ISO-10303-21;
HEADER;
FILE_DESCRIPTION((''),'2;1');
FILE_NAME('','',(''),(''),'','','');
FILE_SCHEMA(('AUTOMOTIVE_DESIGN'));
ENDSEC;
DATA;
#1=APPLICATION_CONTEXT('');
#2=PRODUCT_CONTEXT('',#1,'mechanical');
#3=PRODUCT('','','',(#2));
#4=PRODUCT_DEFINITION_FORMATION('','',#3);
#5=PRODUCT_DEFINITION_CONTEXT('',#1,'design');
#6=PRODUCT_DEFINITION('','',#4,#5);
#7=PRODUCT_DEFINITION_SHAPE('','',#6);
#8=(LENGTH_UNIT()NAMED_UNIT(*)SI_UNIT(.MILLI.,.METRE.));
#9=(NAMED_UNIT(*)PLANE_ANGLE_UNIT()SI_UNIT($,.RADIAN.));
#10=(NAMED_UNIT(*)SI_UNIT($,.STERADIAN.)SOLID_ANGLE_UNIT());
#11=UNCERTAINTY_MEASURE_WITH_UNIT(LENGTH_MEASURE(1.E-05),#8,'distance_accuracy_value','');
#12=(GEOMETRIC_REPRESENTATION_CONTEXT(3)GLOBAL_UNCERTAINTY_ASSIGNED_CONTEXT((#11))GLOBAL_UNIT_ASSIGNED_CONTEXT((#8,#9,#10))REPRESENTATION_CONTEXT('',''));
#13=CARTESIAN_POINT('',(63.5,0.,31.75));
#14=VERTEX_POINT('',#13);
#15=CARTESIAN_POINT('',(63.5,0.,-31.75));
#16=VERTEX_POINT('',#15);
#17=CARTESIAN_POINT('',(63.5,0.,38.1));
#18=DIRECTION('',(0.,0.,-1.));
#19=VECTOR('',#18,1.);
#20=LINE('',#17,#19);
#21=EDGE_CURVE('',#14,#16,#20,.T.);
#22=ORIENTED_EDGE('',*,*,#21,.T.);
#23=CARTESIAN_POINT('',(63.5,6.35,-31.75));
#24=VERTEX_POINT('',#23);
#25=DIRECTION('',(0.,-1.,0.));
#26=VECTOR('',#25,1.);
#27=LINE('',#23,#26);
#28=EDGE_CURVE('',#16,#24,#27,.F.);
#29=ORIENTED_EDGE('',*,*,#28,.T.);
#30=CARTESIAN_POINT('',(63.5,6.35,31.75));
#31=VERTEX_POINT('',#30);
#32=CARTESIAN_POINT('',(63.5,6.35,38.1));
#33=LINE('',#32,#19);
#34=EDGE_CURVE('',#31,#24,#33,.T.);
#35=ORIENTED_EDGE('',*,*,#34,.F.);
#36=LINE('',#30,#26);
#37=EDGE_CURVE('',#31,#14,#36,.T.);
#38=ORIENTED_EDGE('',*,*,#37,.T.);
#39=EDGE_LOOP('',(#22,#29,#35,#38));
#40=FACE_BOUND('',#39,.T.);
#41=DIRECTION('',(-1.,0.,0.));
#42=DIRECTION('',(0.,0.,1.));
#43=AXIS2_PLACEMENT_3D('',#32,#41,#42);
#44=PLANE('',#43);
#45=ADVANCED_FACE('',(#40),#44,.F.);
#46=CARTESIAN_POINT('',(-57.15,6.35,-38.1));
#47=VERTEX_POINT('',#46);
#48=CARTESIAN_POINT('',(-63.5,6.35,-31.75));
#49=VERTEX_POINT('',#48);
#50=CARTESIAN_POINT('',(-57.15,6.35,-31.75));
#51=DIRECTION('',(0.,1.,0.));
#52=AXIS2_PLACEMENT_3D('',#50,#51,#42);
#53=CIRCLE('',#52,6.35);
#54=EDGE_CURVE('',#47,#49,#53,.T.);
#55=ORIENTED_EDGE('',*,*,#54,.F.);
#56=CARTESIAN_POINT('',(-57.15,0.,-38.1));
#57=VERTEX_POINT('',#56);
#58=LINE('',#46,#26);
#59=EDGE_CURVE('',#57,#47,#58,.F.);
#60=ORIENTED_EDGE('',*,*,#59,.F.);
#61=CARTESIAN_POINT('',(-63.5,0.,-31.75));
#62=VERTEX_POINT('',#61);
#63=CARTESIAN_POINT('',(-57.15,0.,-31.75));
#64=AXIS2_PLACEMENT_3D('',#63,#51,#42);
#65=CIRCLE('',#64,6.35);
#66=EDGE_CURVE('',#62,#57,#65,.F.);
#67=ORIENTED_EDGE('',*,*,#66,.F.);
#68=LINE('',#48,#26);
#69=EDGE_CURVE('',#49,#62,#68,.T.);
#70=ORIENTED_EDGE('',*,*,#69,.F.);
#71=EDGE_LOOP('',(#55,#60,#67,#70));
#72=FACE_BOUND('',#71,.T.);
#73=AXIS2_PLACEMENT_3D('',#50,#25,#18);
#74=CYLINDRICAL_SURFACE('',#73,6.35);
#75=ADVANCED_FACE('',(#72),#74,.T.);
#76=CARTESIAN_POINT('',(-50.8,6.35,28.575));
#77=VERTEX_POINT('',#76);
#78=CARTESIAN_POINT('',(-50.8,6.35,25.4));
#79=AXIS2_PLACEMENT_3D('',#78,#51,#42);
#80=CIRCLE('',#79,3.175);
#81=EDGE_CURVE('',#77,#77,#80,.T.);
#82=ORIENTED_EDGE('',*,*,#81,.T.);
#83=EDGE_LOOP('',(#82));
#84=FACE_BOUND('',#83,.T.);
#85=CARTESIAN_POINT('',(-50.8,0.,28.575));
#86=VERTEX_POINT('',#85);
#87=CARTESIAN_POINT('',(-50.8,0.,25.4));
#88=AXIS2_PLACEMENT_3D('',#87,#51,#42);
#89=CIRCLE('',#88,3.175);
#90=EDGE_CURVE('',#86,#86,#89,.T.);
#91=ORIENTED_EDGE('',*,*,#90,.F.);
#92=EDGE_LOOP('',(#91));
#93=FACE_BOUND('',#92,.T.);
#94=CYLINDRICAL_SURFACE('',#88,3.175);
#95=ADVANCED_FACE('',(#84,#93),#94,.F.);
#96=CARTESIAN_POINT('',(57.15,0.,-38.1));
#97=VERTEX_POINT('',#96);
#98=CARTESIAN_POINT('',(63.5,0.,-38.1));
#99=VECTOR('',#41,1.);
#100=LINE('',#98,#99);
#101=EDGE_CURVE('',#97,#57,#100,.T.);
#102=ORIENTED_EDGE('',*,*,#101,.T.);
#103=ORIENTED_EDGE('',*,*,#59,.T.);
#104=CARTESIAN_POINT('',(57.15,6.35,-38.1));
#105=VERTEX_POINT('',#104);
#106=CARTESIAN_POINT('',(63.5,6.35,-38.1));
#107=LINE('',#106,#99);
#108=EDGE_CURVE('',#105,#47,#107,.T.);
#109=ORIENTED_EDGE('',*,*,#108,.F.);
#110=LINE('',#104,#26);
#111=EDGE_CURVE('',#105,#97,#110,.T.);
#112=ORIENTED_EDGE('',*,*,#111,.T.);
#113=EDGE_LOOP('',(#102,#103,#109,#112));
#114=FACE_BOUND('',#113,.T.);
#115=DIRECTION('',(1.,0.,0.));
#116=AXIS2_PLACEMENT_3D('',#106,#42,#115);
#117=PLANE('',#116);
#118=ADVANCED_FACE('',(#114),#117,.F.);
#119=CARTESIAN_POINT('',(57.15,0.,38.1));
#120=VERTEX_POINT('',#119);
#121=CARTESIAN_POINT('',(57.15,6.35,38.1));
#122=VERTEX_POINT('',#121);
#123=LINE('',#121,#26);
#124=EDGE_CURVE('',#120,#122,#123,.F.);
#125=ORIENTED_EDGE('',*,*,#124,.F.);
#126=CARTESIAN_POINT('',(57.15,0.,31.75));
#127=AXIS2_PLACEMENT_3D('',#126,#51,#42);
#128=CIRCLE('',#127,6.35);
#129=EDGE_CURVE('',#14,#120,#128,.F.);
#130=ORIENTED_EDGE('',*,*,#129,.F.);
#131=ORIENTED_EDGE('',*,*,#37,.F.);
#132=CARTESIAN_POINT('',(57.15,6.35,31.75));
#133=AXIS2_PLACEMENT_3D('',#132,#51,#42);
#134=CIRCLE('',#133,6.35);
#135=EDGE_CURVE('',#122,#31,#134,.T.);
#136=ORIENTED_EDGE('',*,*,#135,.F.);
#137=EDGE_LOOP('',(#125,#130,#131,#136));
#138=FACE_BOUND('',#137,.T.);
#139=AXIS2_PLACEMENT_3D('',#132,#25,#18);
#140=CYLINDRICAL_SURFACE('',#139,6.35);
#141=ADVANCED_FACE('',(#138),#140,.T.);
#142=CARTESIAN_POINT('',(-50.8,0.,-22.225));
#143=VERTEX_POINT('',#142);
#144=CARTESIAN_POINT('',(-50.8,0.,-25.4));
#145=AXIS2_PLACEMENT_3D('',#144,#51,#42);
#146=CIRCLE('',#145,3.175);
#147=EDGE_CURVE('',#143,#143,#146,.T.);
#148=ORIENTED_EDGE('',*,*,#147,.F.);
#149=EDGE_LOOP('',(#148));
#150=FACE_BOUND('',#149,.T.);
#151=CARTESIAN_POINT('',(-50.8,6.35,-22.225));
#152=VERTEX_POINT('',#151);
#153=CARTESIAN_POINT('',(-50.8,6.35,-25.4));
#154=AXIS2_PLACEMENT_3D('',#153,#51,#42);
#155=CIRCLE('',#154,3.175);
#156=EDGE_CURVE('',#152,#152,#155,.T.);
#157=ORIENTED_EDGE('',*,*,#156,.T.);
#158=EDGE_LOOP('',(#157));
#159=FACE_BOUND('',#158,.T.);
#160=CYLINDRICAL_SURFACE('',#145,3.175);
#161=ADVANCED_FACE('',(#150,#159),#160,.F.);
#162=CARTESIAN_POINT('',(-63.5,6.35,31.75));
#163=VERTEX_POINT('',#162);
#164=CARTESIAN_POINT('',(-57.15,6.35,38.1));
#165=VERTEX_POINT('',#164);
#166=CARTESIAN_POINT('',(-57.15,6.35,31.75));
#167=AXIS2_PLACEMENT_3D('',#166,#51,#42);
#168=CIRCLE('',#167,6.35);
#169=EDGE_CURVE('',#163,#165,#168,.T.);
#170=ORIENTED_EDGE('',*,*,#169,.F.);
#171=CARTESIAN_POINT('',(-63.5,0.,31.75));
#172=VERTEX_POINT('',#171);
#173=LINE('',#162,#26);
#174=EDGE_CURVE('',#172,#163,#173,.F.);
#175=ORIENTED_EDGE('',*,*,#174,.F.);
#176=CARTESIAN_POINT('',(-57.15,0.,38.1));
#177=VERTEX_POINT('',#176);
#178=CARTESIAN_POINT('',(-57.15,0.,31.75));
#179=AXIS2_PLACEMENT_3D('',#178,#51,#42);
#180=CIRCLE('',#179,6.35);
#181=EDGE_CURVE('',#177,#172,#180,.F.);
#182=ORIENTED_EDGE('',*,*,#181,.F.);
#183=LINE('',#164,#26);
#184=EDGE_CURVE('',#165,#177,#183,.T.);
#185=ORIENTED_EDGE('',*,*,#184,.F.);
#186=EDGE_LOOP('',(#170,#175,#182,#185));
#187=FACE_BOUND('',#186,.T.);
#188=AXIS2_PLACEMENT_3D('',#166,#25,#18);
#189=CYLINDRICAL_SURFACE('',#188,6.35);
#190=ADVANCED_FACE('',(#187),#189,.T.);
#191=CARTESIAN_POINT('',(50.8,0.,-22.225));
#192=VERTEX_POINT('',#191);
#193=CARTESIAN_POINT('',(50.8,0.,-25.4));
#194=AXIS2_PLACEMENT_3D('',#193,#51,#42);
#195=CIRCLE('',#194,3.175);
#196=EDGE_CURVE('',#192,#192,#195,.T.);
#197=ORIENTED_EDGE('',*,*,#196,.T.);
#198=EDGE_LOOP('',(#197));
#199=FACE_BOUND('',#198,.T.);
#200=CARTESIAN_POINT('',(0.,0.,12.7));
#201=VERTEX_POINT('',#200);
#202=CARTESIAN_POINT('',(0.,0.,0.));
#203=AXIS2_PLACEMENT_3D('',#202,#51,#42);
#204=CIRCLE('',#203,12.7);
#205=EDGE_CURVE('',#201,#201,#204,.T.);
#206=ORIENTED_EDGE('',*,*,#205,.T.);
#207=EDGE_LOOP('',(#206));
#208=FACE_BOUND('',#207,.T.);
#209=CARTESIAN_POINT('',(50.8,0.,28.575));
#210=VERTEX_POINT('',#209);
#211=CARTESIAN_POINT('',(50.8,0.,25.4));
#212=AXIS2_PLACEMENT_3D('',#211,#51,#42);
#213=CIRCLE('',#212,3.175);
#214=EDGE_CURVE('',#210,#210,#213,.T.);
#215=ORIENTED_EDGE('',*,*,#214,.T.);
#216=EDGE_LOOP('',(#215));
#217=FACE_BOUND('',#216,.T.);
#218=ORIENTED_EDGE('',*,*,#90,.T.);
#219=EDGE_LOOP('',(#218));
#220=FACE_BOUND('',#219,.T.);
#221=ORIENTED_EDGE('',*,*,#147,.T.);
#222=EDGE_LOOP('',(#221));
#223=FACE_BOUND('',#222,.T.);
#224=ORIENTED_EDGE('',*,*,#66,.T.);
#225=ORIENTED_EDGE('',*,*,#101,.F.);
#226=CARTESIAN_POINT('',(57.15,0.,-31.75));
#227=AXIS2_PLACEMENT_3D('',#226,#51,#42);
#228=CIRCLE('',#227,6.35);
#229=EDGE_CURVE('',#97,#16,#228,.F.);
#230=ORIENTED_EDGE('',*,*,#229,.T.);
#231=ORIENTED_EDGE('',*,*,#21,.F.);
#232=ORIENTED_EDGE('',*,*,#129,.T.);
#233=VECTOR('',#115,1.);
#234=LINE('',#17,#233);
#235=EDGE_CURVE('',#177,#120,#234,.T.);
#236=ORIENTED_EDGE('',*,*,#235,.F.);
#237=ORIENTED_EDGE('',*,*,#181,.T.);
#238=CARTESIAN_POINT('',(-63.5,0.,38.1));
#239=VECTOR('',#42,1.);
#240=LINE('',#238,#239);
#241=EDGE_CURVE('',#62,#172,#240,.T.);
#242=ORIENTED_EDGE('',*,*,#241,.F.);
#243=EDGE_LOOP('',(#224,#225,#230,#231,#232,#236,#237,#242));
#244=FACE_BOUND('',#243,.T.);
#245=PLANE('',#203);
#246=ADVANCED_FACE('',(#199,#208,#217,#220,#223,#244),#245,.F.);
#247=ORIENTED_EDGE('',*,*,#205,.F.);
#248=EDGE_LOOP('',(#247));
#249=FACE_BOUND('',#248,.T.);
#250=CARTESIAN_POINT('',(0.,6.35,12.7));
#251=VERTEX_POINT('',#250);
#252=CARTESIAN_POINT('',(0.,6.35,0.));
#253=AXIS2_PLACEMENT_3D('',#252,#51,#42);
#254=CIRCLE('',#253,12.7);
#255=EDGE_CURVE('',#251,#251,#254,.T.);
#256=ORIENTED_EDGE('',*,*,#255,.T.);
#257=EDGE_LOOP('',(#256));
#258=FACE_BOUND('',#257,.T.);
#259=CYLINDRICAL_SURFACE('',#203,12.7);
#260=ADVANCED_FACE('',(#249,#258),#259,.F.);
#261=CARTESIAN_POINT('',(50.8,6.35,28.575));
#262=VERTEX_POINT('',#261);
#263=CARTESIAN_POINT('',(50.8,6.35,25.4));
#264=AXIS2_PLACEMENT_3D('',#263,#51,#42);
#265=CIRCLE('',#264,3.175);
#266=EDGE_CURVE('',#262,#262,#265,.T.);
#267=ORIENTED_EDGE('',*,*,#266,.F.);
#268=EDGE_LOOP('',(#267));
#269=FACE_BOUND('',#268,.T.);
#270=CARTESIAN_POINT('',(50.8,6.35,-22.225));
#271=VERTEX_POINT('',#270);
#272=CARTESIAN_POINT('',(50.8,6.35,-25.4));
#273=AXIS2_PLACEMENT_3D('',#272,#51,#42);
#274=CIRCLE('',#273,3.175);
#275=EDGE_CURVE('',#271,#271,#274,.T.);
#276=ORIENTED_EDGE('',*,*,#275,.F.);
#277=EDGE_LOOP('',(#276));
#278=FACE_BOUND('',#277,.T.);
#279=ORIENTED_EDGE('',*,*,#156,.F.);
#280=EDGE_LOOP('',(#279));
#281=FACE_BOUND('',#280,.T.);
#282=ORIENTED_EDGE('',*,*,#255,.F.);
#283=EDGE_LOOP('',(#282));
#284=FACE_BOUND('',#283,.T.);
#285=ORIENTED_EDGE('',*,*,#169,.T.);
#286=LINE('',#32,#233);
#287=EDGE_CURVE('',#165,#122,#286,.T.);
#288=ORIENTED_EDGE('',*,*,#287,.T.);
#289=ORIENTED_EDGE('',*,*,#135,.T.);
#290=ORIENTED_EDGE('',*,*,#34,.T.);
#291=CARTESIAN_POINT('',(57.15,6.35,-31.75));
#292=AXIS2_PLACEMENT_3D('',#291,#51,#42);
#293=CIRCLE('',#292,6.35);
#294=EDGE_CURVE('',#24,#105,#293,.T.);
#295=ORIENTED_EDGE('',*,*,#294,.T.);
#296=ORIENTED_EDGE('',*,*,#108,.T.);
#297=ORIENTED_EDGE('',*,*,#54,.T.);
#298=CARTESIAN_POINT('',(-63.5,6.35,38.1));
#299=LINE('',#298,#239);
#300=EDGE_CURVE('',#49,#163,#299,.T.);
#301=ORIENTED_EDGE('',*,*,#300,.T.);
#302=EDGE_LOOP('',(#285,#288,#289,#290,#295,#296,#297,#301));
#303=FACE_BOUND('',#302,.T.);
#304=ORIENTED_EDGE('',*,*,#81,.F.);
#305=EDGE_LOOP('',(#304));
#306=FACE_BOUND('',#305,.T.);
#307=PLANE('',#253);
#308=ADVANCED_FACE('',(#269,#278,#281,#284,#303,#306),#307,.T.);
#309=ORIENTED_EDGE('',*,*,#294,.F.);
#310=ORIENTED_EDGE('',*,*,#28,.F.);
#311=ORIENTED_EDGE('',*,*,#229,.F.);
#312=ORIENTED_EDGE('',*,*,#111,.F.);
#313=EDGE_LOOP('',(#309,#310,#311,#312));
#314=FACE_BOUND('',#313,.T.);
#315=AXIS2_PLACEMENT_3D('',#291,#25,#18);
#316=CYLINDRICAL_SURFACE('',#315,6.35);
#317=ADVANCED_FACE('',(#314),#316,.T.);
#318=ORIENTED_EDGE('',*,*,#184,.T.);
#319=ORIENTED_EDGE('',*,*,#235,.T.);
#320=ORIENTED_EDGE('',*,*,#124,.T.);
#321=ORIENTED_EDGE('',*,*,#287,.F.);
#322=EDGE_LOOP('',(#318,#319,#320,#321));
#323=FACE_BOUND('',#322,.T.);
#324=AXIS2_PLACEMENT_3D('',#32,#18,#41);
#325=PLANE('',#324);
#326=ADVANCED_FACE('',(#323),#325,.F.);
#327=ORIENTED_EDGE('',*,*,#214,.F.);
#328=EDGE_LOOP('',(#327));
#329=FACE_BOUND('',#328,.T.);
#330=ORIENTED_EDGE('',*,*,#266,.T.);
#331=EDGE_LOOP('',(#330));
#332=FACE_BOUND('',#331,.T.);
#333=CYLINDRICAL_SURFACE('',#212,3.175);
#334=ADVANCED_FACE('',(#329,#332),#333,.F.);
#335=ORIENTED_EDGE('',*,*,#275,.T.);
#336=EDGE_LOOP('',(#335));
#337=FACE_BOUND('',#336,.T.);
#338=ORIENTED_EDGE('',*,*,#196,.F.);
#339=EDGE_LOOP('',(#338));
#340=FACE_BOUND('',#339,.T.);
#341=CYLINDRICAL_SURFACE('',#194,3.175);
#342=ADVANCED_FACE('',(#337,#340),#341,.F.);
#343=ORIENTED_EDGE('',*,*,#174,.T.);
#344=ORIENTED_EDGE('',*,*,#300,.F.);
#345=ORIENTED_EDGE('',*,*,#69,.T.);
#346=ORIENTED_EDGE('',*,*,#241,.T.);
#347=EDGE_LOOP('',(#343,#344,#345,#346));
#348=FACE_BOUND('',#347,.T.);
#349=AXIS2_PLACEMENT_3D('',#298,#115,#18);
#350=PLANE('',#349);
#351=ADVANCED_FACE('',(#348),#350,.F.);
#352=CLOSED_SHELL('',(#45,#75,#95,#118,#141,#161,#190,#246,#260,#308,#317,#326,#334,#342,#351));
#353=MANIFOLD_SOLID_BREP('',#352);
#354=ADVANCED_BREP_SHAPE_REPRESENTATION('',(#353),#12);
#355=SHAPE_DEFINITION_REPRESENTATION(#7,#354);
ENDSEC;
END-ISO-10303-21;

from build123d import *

# Parameters (mm, degrees)
SKETCH1_W            = 127
SKETCH1_H            = 76.2
PLATE_DEPTH          = 6.35
SKETCH2_R            = 3.175
CUT_EXTRUDE1_DEPTH   = 75.324844433
LPATTERN1_COUNT      = 2
LPATTERN1_PITCH      = 101.6
LPATTERN1_COUNT_DIR2 = 2
LPATTERN1_PITCH_DIR2 = 50.8
SKETCH4_R            = 12.7
CUT_EXTRUDE2_DEPTH   = 75.324844433
FILLET1_R            = 6.35


with BuildPart() as part:
    # Sketch1 → Plate (new body)
    with BuildSketch(Plane(origin=(0, 0, 0), x_dir=(1, 0, 0), z_dir=(0, 1, 0))):
        Rectangle(SKETCH1_W, SKETCH1_H)
    extrude(amount=PLATE_DEPTH)

    # Sketch2 → Cut-Extrude1 (cut, through all)
    with BuildSketch(Plane(origin=(0, 6.35, 0), x_dir=(1, 0, 0), z_dir=(0, 1, 0))):
        with Locations(Location((50.8, 25.4, 0), (0, 0, 270))):
            Circle(SKETCH2_R)
    cut_extrude1 = extrude(amount=-CUT_EXTRUDE1_DEPTH, mode=Mode.SUBTRACT)

    # LPattern1: Cut-Extrude1 2 × 2
    with Locations(*[(-i * LPATTERN1_PITCH, 0, j * LPATTERN1_PITCH_DIR2) for i in range(LPATTERN1_COUNT) for j in range(LPATTERN1_COUNT_DIR2) if (i, j) != (0, 0)]):
        add(cut_extrude1, mode=Mode.SUBTRACT)

    # Sketch4 → Cut-Extrude2 (cut, through all)
    with BuildSketch(Plane(origin=(0, 6.35, 0), x_dir=(1, 0, 0), z_dir=(0, 1, 0))):
        with Locations(Location((0, 0, 0), (0, 0, 270))):
            Circle(SKETCH4_R)
    extrude(amount=-CUT_EXTRUDE2_DEPTH, mode=Mode.SUBTRACT)

    # Fillet1
    fillet1_edges = [part.edges().sort_by_distance(p)[0] for p in [
        (-63.5, 3.175, -38.1),
        (63.5, 3.175, -38.1),
        (63.5, 3.175, 38.1),
        (-63.5, 3.175, 38.1),
    ]]
    fillet(fillet1_edges, radius=FILLET1_R)


solid = part.part
